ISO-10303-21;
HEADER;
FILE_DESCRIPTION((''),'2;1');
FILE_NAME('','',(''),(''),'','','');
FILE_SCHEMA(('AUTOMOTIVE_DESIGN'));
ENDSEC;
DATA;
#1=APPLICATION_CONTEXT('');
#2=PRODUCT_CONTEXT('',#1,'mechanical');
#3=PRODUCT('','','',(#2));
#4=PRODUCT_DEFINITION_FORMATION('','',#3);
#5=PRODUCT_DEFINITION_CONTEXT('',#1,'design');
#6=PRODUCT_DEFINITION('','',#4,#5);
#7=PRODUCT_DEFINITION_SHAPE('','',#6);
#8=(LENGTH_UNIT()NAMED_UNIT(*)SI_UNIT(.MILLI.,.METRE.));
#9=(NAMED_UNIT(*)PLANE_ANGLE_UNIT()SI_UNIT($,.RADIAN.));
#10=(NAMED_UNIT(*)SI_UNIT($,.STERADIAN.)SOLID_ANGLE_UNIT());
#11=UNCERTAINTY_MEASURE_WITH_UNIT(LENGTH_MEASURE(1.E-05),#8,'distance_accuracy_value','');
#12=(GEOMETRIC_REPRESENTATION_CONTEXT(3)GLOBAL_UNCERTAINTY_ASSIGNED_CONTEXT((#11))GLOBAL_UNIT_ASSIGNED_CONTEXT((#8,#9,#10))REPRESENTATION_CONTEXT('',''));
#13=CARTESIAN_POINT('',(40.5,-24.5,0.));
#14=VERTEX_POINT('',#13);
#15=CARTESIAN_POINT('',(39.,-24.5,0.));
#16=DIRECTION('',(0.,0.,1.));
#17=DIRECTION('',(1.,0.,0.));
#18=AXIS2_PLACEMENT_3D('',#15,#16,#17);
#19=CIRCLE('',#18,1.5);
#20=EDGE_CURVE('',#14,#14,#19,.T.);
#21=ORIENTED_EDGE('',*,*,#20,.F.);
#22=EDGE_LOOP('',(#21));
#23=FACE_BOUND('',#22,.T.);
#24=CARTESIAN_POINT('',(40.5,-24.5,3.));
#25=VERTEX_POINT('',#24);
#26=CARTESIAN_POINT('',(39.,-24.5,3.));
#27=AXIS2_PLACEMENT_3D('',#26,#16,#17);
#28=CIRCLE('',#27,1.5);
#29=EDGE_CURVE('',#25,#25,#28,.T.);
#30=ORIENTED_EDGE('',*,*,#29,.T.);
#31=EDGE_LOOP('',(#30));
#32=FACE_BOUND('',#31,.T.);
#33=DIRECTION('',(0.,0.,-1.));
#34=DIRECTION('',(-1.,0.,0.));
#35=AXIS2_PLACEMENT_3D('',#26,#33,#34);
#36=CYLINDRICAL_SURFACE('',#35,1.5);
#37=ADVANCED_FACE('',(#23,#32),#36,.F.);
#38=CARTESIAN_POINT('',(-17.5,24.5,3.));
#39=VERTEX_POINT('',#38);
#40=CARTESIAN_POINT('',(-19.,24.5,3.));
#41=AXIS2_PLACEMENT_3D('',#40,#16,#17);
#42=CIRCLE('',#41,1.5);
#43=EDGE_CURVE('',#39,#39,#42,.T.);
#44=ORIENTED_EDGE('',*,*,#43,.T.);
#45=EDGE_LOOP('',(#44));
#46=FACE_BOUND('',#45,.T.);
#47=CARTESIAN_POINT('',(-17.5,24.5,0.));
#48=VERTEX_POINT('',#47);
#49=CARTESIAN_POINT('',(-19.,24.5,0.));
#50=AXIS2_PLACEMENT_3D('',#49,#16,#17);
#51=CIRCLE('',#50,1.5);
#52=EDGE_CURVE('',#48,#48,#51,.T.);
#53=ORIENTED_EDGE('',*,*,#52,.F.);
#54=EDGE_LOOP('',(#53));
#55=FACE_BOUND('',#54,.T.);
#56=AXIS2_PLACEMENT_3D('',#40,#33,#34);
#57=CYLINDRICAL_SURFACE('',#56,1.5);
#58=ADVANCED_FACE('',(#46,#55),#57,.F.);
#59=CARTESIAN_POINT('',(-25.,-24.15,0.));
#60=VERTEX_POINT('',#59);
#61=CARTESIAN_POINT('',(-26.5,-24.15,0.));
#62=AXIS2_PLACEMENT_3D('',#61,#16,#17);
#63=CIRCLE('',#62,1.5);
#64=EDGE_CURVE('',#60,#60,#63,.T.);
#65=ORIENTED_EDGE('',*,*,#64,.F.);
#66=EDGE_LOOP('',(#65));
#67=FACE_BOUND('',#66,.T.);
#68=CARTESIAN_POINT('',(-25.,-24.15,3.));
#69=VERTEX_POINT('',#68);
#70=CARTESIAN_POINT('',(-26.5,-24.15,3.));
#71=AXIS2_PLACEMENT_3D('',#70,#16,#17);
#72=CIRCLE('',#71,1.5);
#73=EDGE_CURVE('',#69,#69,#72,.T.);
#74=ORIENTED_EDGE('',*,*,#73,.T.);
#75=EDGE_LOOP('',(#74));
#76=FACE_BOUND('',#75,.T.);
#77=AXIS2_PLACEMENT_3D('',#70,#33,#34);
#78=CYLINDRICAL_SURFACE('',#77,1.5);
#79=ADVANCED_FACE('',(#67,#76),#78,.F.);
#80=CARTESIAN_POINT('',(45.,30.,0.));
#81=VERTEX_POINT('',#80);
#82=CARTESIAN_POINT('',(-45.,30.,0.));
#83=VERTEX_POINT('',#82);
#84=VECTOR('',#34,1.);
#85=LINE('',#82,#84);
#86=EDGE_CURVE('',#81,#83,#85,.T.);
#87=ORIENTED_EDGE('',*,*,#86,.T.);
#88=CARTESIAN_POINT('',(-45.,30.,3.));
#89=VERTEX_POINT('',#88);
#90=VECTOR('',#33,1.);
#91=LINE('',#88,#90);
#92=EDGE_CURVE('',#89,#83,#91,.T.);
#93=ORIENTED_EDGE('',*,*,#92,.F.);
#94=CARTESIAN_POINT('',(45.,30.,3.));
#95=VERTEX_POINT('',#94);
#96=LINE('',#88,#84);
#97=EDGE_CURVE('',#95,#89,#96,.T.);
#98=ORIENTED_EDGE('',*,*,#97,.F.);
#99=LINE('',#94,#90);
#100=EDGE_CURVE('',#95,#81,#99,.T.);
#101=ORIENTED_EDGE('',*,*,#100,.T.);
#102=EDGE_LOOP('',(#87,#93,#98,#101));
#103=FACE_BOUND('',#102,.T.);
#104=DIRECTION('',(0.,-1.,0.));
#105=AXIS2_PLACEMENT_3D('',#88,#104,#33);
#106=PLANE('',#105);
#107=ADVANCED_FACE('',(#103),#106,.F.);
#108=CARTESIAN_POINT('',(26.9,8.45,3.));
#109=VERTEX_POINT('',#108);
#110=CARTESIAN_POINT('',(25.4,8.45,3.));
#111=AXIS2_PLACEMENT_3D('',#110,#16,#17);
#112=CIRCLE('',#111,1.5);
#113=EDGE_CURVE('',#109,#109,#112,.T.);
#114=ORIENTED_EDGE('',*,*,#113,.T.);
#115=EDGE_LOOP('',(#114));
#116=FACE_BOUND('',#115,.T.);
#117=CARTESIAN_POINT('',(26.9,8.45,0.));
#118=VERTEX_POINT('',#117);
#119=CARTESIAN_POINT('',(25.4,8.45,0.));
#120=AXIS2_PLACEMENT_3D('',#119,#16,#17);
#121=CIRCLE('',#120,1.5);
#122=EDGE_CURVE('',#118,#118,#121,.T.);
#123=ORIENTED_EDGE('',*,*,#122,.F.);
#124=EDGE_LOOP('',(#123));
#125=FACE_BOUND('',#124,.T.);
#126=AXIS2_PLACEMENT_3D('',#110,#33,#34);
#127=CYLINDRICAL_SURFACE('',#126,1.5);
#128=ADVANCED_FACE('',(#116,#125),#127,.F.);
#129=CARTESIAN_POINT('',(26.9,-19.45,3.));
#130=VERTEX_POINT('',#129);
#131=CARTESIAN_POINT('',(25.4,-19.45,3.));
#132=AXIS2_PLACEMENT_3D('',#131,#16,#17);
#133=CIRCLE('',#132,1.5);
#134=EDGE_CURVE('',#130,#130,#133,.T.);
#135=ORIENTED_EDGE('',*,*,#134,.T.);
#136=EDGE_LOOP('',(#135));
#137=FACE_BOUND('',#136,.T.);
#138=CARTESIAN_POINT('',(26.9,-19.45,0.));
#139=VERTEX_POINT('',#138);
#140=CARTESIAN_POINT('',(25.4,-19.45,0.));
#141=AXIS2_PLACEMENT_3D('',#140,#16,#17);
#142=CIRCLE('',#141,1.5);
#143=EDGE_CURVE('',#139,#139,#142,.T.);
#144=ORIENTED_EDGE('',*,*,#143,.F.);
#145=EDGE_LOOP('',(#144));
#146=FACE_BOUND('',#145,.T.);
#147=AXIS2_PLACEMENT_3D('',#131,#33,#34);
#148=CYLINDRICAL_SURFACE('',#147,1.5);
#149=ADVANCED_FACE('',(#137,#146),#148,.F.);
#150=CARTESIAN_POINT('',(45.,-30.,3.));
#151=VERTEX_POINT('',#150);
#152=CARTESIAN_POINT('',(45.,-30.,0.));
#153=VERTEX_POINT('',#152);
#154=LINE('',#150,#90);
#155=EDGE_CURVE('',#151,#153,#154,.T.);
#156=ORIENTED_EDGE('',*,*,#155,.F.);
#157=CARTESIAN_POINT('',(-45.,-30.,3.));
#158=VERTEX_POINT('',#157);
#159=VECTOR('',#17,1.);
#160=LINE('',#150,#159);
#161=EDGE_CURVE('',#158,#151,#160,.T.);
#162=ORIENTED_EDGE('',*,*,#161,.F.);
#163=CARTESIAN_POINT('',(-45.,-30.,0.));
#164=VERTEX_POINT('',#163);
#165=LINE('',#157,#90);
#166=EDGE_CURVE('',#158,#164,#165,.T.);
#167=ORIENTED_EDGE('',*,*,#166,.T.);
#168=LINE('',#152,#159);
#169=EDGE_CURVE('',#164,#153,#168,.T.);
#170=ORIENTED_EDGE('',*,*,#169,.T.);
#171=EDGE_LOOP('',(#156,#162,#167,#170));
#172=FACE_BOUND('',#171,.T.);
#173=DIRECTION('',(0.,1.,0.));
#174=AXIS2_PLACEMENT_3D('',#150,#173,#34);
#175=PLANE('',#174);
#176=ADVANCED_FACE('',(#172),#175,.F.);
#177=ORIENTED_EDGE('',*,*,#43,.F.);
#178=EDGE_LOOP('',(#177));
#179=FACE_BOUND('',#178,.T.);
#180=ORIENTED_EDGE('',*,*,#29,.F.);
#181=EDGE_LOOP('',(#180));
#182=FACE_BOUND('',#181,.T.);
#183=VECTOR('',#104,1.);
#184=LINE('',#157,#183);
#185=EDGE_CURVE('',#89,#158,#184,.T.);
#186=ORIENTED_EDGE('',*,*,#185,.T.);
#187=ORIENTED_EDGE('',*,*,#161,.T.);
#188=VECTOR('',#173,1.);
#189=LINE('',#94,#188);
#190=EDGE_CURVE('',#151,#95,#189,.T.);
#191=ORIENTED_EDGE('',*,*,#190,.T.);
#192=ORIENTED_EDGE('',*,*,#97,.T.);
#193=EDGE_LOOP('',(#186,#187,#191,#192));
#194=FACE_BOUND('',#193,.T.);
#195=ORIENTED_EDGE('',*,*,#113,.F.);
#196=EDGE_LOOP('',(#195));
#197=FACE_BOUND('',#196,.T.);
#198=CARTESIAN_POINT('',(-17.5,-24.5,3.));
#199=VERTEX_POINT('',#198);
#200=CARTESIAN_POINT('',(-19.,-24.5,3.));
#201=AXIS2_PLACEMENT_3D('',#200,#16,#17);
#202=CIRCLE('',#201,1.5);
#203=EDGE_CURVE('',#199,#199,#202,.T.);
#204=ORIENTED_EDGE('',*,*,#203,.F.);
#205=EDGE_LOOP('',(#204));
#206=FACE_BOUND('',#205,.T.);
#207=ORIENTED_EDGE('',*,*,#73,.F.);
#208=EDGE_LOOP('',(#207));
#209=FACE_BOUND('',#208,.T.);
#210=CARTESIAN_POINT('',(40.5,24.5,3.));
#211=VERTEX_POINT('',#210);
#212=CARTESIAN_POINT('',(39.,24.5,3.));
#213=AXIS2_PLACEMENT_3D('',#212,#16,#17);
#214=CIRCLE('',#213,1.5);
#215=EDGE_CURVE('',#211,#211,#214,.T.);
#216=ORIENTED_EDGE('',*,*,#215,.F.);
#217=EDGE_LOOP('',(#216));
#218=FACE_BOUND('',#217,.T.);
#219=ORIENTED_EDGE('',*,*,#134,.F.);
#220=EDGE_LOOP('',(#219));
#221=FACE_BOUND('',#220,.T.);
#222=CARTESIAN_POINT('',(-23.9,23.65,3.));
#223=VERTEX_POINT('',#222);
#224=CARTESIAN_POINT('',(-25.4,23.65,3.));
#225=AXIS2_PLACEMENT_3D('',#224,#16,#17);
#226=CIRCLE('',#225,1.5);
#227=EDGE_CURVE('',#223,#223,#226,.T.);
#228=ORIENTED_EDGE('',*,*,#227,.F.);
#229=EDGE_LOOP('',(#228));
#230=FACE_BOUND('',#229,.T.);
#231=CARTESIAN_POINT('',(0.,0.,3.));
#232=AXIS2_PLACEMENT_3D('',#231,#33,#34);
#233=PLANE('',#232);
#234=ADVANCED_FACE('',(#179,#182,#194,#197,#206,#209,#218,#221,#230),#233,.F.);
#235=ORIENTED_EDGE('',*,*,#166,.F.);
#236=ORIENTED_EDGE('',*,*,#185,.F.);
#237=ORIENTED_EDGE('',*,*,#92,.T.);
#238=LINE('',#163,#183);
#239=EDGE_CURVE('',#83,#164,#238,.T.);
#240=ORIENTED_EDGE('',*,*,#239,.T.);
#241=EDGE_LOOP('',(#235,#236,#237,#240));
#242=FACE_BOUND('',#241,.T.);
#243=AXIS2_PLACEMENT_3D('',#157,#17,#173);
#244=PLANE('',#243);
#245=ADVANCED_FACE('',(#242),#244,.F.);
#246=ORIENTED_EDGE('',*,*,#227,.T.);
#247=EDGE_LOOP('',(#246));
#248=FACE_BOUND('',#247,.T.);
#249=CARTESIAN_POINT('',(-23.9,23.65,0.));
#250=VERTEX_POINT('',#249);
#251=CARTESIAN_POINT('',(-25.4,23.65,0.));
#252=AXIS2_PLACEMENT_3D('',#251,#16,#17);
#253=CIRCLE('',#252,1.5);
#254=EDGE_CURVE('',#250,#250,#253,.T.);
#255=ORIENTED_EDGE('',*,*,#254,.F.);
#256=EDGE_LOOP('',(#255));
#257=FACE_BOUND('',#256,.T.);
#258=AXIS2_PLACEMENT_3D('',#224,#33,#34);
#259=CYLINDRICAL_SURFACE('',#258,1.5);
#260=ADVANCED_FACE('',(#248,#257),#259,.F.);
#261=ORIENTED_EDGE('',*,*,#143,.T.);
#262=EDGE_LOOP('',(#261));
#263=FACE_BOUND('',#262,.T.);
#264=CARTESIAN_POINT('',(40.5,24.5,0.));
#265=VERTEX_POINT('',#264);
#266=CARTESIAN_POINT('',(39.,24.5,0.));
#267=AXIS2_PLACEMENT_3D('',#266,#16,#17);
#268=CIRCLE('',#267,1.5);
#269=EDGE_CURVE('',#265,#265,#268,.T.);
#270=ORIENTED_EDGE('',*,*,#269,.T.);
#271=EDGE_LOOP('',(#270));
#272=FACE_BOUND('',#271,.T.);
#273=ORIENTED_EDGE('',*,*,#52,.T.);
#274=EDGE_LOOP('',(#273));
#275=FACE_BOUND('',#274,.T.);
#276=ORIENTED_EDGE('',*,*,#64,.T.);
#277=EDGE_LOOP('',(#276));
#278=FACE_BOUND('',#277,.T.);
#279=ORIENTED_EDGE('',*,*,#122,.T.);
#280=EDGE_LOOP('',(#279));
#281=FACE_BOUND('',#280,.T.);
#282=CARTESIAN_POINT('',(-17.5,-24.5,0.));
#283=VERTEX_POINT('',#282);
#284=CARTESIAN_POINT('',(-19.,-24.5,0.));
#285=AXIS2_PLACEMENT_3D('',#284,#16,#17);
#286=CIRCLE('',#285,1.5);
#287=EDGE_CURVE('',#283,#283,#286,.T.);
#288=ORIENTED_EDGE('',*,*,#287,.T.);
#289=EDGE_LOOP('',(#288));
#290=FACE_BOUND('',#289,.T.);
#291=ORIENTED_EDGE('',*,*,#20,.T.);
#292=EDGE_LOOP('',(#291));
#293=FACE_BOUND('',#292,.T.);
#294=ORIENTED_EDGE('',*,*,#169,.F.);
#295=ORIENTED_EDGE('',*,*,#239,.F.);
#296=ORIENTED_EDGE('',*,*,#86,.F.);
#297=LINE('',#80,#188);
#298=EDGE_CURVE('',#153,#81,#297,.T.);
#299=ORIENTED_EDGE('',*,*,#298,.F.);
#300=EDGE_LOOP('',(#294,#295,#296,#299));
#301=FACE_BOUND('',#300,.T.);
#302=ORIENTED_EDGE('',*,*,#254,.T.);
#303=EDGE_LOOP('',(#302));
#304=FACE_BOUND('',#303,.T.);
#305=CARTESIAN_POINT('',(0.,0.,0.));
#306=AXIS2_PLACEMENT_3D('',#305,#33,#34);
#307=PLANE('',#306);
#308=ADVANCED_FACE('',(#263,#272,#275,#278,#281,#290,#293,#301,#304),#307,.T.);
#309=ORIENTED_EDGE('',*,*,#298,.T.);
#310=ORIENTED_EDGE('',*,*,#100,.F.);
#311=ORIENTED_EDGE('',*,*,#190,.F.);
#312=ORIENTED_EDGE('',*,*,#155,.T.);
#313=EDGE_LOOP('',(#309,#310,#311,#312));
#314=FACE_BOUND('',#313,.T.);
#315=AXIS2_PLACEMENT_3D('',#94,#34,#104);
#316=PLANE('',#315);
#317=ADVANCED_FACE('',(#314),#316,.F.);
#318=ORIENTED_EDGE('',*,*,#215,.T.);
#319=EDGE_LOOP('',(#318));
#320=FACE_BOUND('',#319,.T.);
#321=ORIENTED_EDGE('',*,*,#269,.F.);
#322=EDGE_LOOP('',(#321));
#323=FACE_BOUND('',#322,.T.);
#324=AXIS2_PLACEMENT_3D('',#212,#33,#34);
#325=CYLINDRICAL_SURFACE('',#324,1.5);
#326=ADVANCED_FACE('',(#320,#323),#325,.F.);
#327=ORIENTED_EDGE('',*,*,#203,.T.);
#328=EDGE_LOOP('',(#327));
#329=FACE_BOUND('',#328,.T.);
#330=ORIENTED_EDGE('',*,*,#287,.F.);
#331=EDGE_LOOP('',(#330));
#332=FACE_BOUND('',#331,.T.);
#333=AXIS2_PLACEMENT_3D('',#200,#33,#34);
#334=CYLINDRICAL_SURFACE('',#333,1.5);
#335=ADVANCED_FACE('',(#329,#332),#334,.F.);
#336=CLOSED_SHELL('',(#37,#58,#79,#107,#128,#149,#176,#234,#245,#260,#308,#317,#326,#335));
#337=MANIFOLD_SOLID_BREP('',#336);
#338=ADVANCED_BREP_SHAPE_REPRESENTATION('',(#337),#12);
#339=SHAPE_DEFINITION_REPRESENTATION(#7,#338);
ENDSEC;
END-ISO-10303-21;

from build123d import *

# Parameters (mm, degrees)
SKETCH1_W           = 90
SKETCH1_H           = 60
SKETCH1_R           = 1.5
BOSS_EXTRUDE1_DEPTH = 3


with BuildPart() as part:
    # Sketch1 → Boss-Extrude1 (new body)
    with BuildSketch(Plane.XY):
        Rectangle(SKETCH1_W, SKETCH1_H)
        with Locations((-25.4, 23.65)):
            Circle(SKETCH1_R, mode=Mode.SUBTRACT)
        with Locations((-26.5, -24.15)):
            Circle(SKETCH1_R, mode=Mode.SUBTRACT)
        with Locations((25.4, -19.45)):
            Circle(SKETCH1_R, mode=Mode.SUBTRACT)
        with Locations((25.4, 8.45)):
            Circle(SKETCH1_R, mode=Mode.SUBTRACT)
        with Locations((-19, -24.5)):
            Circle(SKETCH1_R, mode=Mode.SUBTRACT)
        with Locations((-19, 24.5)):
            Circle(SKETCH1_R, mode=Mode.SUBTRACT)
        with Locations((39, 24.5)):
            Circle(SKETCH1_R, mode=Mode.SUBTRACT)
        with Locations((39, -24.5)):
            Circle(SKETCH1_R, mode=Mode.SUBTRACT)
    extrude(amount=BOSS_EXTRUDE1_DEPTH)


solid = part.part
